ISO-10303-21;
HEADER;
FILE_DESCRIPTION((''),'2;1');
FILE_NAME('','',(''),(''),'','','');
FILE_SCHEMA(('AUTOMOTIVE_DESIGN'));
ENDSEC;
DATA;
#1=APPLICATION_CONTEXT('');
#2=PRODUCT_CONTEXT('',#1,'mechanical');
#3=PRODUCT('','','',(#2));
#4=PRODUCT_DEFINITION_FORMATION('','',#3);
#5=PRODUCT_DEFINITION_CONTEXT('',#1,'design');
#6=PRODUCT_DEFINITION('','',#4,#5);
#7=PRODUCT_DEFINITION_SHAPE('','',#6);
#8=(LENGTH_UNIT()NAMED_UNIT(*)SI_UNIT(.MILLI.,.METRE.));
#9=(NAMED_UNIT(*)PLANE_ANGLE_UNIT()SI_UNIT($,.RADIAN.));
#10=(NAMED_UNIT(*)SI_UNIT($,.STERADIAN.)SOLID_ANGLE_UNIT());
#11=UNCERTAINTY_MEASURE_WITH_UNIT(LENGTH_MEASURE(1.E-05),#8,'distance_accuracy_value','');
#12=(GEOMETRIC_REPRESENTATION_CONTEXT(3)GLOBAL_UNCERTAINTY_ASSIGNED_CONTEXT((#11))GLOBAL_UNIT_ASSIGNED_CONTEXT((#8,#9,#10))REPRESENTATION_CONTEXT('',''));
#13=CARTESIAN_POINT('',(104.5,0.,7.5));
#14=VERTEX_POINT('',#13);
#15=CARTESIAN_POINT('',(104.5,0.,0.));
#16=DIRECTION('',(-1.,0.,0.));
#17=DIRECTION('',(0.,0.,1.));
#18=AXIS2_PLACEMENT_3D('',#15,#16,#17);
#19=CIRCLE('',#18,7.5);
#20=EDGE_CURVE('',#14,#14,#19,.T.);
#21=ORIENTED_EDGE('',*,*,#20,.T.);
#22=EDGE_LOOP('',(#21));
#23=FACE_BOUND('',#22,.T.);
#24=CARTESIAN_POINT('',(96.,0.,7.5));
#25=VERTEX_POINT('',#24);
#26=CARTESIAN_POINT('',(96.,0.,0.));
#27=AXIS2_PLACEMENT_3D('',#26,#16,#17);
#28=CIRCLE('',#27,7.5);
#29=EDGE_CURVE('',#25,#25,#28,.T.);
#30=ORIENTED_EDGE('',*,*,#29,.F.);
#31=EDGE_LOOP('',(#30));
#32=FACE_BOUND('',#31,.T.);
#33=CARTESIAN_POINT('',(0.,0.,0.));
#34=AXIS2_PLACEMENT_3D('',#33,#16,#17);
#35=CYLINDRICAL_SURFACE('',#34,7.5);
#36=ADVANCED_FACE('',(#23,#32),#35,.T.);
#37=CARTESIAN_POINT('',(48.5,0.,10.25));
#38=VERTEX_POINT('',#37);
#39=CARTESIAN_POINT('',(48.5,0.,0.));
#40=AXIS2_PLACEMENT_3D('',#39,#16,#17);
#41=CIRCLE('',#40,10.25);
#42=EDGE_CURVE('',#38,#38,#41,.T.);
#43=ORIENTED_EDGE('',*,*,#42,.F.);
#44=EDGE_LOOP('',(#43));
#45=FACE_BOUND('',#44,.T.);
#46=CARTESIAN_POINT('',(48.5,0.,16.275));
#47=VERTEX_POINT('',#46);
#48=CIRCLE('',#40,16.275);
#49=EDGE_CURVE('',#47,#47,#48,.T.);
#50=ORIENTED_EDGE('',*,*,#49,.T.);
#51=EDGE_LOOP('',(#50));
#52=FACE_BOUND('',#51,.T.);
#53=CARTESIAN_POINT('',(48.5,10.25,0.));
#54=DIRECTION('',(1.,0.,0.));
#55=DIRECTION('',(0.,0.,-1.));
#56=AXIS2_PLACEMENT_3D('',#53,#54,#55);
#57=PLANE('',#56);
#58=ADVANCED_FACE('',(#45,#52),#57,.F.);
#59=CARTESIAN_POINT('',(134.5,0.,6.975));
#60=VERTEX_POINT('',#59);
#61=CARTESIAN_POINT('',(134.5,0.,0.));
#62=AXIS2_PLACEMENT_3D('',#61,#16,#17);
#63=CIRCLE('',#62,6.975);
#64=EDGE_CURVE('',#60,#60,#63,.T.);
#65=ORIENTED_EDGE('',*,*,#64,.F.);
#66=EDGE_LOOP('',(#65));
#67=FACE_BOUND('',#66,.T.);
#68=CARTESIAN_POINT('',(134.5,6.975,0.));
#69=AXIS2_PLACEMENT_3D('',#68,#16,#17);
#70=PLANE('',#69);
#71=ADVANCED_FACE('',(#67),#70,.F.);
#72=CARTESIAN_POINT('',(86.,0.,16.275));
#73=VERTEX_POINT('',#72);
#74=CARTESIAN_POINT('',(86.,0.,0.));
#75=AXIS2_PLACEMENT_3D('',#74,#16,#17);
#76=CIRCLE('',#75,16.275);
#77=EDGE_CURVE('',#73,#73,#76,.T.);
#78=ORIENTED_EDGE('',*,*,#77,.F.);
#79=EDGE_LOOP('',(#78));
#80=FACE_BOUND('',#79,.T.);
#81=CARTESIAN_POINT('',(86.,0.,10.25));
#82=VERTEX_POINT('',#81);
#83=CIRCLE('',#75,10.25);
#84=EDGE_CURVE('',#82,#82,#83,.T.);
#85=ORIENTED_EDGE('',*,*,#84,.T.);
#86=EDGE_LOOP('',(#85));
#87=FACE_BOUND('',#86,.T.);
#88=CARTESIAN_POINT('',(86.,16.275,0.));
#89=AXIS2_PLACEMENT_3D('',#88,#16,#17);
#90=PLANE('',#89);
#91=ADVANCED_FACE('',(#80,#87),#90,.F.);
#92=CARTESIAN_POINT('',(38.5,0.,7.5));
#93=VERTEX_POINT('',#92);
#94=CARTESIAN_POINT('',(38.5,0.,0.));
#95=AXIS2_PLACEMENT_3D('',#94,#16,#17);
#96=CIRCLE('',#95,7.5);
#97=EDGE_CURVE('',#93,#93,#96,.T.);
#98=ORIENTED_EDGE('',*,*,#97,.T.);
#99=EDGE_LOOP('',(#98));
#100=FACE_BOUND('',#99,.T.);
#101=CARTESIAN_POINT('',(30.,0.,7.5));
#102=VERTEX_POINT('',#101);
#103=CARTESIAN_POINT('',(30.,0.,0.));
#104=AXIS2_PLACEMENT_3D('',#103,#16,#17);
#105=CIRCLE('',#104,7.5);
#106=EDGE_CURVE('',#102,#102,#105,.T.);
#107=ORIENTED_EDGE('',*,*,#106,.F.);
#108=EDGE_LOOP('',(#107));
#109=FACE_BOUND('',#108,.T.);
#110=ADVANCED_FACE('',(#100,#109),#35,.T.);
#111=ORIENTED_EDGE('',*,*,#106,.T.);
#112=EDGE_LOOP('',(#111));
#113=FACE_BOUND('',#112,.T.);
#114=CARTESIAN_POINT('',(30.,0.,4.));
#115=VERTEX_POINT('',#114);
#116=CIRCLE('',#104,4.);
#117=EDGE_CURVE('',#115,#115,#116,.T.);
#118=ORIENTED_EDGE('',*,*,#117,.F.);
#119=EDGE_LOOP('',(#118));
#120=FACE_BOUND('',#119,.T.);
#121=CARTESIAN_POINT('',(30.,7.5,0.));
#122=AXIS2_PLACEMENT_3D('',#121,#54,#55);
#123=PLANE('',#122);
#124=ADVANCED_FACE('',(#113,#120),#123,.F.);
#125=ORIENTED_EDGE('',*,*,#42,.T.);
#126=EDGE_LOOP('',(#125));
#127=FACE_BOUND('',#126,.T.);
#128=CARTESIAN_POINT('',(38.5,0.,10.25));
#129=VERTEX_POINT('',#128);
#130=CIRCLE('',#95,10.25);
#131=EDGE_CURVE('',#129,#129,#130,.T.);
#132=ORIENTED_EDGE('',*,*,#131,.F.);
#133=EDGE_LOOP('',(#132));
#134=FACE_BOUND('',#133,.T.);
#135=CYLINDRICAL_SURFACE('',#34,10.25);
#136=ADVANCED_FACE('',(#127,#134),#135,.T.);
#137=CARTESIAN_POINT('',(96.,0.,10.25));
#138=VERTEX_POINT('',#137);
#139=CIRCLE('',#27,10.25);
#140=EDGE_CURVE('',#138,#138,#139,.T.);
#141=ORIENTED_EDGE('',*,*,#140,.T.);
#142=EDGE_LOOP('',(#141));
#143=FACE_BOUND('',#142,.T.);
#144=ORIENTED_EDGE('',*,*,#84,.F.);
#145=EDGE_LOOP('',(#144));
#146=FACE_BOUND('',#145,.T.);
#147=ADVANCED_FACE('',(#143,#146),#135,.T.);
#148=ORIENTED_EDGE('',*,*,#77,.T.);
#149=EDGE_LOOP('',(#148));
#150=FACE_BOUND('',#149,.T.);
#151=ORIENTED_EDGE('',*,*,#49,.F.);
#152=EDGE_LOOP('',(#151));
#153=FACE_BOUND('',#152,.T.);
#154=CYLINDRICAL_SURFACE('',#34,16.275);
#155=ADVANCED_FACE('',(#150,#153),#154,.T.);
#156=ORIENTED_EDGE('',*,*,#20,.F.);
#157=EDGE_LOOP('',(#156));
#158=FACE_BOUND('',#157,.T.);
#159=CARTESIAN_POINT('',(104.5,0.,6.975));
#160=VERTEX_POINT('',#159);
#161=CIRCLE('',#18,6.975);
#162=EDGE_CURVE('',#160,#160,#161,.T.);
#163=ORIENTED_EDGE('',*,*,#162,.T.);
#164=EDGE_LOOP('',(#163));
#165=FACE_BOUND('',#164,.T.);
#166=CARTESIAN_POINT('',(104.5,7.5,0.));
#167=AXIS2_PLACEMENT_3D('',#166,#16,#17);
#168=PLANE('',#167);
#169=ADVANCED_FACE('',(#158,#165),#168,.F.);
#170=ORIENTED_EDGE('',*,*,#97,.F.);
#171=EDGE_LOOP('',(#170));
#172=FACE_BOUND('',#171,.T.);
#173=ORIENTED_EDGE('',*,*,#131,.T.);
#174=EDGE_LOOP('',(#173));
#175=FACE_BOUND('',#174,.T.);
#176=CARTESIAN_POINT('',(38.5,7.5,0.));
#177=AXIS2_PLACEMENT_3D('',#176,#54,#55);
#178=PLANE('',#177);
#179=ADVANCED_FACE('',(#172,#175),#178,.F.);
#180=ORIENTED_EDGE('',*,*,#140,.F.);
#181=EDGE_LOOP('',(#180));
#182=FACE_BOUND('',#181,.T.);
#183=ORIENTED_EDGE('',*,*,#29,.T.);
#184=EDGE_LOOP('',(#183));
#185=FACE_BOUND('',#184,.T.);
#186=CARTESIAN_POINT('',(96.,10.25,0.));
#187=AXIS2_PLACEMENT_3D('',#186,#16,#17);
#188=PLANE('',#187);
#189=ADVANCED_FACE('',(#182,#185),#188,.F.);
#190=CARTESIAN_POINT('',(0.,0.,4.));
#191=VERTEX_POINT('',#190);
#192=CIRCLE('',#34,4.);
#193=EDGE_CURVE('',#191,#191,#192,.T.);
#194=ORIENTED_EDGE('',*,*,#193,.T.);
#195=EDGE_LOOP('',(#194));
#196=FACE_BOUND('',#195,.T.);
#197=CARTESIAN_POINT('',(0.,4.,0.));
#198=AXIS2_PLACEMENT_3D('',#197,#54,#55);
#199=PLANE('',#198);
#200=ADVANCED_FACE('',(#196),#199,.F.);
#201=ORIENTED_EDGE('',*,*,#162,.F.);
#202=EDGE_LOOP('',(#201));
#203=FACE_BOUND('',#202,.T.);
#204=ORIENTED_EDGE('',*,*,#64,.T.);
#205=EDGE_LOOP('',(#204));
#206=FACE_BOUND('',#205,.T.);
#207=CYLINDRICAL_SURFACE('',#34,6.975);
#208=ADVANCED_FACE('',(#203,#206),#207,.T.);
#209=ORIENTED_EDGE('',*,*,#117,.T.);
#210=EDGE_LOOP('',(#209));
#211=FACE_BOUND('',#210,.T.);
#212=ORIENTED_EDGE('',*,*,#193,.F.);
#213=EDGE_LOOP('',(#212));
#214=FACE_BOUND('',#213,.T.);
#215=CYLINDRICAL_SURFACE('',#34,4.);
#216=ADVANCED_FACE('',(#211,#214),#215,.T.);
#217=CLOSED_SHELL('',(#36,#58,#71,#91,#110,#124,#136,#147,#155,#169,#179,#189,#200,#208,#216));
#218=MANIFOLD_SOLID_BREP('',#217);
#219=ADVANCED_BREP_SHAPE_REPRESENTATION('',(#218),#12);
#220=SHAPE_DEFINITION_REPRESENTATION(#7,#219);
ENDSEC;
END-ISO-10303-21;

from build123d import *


with BuildPart() as part:
    # Çizim1 → Döndür1 (revolve)
    with BuildSketch(Plane.XY, mode=Mode.PRIVATE) as d_nd_r1_sk:
        Polygon((30, 7.5), (38.5, 7.5), (38.5, 10.25), (48.5, 10.25), (48.5, 16.275), (86, 16.275), (86, 10.25), (96, 10.25), (96, 7.5), (104.5, 7.5), (104.5, 6.975), (134.5, 6.975), (134.5, 0), (0, 0), (0, 4), (30, 4), align=None)
    revolve(d_nd_r1_sk.sketch.rotate(Axis((0, 0, 0), (1, 0, 0)), 90), axis=Axis((0, 0, 0), (1, 0, 0)))


solid = part.part
